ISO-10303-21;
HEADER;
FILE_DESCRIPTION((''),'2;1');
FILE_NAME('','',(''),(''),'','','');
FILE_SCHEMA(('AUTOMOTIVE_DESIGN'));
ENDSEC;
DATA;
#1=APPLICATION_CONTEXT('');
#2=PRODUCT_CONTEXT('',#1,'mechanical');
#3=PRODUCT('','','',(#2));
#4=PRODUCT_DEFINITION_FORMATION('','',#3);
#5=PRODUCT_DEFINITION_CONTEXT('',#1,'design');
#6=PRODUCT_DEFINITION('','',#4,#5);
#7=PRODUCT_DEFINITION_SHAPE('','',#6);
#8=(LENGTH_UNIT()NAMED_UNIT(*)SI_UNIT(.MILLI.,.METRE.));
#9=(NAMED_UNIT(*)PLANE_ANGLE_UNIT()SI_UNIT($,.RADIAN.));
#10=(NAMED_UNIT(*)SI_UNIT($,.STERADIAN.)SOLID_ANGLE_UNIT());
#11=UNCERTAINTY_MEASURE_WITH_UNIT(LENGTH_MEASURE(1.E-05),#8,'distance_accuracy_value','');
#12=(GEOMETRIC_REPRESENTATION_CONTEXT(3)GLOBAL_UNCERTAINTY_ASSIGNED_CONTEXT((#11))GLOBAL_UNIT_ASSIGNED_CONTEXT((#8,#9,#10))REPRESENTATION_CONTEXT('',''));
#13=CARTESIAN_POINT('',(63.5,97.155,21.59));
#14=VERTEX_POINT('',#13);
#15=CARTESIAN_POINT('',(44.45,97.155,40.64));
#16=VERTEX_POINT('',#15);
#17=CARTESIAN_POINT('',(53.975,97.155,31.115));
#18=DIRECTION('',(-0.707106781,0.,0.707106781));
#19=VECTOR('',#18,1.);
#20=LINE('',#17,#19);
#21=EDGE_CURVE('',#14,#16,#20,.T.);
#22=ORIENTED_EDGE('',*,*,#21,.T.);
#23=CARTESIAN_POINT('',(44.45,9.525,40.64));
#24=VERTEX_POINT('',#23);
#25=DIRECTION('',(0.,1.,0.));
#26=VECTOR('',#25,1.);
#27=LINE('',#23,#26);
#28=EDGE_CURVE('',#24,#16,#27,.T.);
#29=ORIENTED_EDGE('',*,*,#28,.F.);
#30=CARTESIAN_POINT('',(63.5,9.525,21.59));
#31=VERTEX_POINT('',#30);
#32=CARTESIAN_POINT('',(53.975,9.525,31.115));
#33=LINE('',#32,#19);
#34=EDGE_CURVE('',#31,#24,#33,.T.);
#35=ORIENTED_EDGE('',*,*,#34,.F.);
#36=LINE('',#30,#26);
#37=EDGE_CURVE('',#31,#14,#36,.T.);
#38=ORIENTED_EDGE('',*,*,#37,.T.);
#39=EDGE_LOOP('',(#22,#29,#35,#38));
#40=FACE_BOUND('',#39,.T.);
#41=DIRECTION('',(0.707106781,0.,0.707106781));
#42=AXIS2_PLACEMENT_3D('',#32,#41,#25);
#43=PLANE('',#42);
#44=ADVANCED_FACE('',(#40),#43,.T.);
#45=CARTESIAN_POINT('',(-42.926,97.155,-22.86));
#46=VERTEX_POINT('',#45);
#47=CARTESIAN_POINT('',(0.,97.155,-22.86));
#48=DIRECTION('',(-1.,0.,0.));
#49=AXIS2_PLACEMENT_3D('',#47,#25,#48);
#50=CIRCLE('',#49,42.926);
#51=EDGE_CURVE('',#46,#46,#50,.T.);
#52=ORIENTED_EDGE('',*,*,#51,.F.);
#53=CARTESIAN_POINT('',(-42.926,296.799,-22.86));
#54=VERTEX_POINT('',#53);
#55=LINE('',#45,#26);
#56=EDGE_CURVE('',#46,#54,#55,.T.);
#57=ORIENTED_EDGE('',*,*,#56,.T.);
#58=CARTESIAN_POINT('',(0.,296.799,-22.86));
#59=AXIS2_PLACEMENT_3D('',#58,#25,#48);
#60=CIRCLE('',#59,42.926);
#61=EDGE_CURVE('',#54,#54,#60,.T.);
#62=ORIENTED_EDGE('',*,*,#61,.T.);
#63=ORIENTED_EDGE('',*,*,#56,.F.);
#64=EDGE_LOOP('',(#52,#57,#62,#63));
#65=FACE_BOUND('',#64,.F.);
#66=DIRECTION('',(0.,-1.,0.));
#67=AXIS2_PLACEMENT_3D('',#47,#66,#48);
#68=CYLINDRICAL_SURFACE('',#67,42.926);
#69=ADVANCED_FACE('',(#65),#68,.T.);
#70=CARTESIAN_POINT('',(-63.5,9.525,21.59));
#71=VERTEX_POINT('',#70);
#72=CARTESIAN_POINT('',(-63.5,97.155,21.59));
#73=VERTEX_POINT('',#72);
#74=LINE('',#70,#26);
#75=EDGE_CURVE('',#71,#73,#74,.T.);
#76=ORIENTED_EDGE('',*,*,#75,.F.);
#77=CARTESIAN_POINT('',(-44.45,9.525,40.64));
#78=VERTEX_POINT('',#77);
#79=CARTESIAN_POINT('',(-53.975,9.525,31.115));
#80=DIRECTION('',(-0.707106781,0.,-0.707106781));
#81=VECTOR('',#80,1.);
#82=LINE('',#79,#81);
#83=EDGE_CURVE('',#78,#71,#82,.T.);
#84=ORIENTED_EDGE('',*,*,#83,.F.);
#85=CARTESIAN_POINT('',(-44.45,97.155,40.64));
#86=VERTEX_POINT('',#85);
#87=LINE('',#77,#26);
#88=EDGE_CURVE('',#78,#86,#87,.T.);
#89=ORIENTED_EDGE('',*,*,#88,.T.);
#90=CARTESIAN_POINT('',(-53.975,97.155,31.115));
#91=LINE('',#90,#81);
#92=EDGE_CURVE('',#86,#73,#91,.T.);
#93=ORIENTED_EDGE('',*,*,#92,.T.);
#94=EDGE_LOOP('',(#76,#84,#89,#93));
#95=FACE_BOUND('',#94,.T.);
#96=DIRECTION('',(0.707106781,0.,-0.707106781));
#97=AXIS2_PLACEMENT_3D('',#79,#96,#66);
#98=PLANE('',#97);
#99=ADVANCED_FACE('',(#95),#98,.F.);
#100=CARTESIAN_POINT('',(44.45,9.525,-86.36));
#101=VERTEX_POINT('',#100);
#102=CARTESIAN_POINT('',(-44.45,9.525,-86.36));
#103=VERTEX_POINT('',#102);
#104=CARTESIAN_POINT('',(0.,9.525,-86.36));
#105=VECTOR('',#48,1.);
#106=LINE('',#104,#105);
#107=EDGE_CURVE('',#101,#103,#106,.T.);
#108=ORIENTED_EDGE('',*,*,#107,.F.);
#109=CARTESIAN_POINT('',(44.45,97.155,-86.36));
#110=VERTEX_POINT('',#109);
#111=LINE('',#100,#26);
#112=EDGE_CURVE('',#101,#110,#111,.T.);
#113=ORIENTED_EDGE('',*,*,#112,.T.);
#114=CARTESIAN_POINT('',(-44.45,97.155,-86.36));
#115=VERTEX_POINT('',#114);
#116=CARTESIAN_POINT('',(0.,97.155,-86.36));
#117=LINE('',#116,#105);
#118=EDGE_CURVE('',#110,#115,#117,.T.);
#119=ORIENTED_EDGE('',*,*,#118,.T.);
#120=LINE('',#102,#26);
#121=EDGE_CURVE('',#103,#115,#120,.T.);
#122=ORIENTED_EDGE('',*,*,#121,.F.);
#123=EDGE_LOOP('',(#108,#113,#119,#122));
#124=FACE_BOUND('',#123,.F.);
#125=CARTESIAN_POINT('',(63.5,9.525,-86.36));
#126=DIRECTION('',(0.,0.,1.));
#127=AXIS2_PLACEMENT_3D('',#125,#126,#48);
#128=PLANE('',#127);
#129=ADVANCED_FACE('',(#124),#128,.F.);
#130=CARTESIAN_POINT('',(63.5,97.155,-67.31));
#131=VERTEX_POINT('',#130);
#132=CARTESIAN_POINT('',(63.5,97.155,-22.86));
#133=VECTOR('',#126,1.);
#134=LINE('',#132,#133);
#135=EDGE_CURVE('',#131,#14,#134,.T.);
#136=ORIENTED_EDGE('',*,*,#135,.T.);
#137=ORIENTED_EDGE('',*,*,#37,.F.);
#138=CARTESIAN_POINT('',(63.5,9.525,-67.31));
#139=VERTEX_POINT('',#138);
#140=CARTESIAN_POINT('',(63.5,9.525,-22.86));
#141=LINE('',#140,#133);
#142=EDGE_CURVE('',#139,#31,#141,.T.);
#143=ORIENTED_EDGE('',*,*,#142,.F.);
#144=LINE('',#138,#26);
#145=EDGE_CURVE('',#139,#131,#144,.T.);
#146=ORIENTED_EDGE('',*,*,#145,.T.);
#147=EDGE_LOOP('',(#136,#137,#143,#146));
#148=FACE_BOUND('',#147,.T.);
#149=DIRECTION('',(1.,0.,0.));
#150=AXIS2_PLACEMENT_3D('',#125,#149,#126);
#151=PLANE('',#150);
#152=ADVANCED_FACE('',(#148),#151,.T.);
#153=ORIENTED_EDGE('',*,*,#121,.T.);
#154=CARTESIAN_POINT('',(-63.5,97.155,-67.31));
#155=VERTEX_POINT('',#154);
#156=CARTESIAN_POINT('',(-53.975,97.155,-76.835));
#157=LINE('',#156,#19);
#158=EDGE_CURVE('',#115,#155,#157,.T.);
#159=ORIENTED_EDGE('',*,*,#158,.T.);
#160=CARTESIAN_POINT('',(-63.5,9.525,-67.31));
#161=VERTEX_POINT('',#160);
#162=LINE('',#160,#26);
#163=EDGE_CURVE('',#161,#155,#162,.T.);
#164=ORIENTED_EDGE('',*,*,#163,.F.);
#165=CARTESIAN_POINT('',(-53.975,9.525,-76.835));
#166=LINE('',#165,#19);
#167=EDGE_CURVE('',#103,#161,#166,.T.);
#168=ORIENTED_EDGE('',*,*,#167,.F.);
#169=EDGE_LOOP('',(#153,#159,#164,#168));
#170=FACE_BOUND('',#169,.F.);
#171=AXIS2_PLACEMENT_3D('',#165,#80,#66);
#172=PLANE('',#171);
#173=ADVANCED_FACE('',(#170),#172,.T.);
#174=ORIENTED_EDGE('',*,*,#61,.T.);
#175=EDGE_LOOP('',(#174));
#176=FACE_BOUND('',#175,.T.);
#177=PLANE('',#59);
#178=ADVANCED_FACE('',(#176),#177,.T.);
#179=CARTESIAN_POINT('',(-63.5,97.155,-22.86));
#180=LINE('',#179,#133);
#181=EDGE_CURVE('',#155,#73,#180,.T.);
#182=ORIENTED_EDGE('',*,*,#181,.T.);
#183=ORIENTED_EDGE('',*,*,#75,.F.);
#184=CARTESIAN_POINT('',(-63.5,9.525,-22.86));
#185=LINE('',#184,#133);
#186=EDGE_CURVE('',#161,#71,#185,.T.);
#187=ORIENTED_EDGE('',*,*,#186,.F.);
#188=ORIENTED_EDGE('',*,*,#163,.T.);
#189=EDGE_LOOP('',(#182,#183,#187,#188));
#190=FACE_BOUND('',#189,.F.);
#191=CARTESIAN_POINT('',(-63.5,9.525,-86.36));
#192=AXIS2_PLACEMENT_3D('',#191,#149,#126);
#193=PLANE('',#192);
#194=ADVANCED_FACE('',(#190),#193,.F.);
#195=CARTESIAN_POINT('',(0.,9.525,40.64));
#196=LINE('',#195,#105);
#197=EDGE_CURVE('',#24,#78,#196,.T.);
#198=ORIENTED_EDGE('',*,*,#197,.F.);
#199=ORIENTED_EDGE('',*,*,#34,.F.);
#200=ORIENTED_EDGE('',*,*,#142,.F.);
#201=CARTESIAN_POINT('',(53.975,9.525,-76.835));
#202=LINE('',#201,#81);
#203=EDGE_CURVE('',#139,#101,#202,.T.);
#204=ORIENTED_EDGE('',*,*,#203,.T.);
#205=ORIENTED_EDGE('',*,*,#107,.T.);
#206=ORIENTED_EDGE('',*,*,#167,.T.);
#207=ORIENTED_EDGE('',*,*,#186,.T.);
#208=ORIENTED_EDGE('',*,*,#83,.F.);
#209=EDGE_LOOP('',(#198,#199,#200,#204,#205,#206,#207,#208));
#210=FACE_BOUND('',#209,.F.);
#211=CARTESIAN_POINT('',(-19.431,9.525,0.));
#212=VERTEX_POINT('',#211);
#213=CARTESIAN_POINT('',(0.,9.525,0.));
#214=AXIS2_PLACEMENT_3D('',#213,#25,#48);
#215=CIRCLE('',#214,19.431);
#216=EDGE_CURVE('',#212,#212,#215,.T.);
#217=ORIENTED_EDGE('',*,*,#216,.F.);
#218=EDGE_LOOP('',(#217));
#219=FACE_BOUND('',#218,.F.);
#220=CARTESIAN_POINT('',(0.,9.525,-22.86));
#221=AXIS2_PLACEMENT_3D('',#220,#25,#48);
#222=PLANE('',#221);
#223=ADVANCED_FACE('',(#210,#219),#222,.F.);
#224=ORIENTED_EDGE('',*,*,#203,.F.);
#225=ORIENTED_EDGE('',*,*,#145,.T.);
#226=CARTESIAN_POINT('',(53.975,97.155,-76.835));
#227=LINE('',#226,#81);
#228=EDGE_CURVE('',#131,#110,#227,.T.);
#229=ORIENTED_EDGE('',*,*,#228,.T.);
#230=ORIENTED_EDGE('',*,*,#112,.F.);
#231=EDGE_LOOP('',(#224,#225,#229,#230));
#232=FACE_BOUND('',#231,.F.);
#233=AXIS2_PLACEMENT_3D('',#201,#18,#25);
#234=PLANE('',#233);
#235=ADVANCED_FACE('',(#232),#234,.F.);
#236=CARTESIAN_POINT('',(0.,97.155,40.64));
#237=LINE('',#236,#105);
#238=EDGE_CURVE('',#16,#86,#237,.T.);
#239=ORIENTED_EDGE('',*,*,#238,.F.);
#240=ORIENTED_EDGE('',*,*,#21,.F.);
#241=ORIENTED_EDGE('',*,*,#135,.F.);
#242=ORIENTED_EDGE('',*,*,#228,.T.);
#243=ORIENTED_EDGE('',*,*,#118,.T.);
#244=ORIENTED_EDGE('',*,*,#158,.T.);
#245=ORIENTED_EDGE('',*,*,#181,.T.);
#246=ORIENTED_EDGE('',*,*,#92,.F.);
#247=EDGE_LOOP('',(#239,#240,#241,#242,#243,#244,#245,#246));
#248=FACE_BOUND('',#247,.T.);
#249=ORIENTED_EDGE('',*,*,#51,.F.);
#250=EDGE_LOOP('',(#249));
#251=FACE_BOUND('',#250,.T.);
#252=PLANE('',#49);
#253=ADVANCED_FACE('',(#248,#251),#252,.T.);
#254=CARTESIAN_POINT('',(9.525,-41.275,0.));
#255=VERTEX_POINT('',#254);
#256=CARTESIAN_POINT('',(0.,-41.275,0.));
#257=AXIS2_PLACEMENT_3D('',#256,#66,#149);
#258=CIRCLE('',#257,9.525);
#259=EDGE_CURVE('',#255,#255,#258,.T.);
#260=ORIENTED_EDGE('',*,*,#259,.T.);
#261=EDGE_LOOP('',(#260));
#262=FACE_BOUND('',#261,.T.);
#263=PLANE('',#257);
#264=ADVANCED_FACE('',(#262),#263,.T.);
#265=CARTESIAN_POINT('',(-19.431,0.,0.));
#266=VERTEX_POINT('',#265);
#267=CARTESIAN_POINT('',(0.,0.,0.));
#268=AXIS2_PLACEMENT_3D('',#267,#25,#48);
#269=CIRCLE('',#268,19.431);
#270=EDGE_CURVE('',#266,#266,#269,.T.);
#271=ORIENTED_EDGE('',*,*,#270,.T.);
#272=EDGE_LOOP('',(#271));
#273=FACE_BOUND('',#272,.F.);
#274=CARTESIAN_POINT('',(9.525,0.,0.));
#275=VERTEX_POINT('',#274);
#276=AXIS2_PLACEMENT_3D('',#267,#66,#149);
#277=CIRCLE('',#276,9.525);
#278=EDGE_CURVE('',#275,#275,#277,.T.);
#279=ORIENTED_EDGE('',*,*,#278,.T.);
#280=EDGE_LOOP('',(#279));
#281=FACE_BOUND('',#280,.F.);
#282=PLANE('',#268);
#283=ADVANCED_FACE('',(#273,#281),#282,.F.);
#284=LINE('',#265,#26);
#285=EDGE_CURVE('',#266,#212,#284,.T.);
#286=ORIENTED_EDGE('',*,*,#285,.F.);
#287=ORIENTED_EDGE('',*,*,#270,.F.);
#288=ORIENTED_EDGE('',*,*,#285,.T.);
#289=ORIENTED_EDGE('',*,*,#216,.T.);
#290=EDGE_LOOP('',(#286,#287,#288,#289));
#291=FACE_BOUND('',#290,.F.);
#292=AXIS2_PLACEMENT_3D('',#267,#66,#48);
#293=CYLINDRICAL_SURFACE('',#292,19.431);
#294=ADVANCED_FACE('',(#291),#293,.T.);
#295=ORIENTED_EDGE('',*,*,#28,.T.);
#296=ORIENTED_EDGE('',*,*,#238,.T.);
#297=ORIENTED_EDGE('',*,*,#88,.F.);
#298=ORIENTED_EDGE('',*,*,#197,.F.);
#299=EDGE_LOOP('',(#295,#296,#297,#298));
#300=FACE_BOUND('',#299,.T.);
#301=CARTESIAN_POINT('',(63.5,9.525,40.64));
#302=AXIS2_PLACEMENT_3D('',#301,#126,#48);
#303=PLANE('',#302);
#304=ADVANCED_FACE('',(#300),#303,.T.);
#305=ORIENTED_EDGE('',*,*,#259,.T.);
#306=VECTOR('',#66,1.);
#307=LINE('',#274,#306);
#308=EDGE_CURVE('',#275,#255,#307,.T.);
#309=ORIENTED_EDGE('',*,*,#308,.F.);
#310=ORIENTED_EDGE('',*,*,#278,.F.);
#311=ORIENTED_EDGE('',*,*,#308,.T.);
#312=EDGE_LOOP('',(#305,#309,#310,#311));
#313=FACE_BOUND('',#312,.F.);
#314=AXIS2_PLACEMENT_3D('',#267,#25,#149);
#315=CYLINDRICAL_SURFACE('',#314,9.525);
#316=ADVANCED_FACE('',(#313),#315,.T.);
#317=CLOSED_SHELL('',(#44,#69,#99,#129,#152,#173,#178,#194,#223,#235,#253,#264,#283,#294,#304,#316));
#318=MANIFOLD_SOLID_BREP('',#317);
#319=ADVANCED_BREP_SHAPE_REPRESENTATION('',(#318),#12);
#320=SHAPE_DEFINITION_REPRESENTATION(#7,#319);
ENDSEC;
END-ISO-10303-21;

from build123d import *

# Parameters (mm, degrees)
F0_R     = 9.525
F1_DEPTH = 41.275
F2_R     = 19.431
F3_DEPTH = 9.525
F4_W     = 127
F4_H     = 127
F5_DEPTH = 87.63
F6_SIZE  = 19.05
F7_R     = 42.926
F8_DEPTH = 199.644


with BuildPart() as f1:
    # F0 (on Front) → F1 (new body)
    with BuildSketch(Plane.XZ):
        Circle(F0_R)
    extrude(amount=F1_DEPTH)

    # F2 (on face) → F3 (join)
    with BuildSketch(Plane(origin=(0, 0, 0), x_dir=(-1, 0, 0), z_dir=(0, 1, 0))):
        Circle(F2_R)
    extrude(amount=F3_DEPTH)

    # F4 (on face) → F5 (join)
    with BuildSketch(Plane(origin=(0, 9.525, 0), x_dir=(-1, 0, 0), z_dir=(0, 1, 0))):
        with Locations((0, -22.86)):
            Rectangle(F4_W, F4_H)
    extrude(amount=F5_DEPTH)

    # F6
    f6_edges = [f1.edges().sort_by_distance(p)[0] for p in [
        (63.5, 53.34, 40.64),
        (-63.5, 53.34, 40.64),
        (63.5, 53.34, -86.36),
        (-63.5, 53.34, -86.36),
    ]]
    chamfer(f6_edges, length=F6_SIZE)

    # F7 (on face) → F8 (join)
    with BuildSketch(Plane(origin=(0, 97.155, 0), x_dir=(-1, 0, 0), z_dir=(0, 1, 0))):
        with Locations((0, -22.86)):
            Circle(F7_R)
    extrude(amount=F8_DEPTH)


solid = f1.part
